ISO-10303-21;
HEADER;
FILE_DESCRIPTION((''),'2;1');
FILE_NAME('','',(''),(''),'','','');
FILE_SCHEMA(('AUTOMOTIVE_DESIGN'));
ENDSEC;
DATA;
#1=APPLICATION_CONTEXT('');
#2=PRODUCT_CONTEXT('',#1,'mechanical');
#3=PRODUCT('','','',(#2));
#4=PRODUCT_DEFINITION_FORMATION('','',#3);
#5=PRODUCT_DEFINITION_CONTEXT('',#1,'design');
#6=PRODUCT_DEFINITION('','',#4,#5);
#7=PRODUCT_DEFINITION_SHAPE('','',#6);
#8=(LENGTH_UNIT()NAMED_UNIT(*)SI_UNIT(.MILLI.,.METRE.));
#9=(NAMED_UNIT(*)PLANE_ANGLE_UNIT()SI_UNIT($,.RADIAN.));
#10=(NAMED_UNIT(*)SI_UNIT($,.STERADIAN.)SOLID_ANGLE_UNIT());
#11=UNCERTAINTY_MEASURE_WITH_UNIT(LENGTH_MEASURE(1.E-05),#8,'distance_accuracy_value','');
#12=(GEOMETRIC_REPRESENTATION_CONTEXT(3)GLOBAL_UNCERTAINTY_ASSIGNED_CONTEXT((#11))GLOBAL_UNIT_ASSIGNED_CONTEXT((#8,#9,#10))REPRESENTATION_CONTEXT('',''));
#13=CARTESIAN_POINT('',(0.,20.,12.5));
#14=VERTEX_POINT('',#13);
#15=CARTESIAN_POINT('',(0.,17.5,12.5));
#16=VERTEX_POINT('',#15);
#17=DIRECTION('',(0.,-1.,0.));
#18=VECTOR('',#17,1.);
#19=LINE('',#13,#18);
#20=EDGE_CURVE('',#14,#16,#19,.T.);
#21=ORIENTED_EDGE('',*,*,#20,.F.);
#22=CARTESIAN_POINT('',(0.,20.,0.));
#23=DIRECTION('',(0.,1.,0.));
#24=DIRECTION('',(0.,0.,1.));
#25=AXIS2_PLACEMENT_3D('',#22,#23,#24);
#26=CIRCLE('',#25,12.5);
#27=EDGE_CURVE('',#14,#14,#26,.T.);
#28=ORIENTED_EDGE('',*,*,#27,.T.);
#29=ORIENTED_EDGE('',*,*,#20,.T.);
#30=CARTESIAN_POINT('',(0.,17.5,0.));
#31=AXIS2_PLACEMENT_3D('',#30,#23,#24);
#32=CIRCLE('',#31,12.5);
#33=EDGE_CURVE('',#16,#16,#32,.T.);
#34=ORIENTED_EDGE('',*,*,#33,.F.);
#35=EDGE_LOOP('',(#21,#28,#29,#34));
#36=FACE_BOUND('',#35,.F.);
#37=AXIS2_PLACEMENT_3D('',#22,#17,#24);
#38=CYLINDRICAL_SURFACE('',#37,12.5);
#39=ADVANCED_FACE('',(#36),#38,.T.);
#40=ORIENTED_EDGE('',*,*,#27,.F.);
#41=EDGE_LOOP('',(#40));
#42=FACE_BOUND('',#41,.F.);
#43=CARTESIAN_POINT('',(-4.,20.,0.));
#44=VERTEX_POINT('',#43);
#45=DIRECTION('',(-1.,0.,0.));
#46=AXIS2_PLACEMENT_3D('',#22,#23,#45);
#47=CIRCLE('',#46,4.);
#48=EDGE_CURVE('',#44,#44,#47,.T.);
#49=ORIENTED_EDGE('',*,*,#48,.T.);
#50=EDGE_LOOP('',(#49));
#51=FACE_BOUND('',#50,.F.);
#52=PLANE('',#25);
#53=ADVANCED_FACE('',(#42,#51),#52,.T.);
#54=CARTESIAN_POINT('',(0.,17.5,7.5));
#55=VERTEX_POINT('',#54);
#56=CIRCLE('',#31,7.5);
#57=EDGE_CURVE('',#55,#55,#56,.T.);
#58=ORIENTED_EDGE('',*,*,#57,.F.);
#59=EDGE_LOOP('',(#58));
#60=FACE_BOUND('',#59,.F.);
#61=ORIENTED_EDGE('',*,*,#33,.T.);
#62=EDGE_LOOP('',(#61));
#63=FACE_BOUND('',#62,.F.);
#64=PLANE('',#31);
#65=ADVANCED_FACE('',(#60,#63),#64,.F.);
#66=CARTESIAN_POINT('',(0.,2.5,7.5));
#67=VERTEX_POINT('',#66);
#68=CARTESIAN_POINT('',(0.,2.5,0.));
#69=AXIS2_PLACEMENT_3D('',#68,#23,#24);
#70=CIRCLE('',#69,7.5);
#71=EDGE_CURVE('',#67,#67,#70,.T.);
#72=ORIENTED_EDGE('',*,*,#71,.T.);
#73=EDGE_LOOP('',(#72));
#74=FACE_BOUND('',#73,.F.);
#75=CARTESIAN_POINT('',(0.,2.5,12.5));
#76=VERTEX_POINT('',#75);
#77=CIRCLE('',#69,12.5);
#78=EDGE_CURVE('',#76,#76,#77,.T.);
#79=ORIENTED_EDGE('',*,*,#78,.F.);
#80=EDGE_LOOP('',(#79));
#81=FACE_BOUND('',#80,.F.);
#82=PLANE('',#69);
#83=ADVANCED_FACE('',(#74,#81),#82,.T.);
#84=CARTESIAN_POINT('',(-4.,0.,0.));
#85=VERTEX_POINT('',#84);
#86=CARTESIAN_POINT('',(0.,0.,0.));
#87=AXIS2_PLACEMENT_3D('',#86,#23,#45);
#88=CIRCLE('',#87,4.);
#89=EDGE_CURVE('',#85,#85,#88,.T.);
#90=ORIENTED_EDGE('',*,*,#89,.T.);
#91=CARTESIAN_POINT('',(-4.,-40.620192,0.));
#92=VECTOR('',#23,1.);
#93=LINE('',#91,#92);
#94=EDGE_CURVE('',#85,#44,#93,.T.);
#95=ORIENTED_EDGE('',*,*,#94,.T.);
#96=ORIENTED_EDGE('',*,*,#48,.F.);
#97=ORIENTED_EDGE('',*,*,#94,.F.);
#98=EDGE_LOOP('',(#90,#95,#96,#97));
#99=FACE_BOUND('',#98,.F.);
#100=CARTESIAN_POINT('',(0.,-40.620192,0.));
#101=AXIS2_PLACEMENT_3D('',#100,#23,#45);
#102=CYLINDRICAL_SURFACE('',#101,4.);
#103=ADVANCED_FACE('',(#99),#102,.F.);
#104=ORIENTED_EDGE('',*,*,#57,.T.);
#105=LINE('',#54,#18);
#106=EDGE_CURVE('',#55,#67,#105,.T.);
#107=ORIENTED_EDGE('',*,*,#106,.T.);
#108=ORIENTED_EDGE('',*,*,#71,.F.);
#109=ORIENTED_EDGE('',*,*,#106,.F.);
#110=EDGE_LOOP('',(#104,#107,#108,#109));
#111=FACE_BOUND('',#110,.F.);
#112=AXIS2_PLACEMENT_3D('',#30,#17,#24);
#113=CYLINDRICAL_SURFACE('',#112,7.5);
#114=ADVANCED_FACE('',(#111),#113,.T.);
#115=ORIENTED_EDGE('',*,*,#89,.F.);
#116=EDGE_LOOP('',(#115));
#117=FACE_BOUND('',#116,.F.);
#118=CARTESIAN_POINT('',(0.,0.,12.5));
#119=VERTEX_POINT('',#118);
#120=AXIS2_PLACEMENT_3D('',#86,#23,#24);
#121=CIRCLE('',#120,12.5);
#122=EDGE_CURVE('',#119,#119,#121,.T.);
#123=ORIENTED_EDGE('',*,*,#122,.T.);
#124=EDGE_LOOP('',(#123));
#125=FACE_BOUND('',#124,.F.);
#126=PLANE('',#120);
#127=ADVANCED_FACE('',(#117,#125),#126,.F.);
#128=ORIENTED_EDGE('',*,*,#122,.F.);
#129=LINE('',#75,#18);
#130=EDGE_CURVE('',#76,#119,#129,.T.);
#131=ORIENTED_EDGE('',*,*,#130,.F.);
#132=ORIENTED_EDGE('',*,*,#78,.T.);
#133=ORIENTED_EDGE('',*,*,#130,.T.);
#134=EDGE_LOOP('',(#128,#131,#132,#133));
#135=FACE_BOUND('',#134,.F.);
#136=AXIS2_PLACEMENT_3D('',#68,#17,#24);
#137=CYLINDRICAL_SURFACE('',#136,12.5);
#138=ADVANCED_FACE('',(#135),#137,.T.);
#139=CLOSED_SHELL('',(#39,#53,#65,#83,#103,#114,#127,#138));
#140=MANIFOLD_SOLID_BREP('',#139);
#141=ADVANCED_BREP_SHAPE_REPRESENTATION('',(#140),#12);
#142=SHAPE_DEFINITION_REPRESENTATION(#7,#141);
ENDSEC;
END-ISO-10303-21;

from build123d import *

# Parameters (mm, degrees)
F3_D = 8


with BuildPart() as f1:
    # F0 (on Right) → F1 (revolve)
    with BuildSketch(Plane.YZ):
        Polygon((0, 12.5), (0, 0), (20, 0), (20, 12.5), (17.5, 12.5), (17.5, 7.5), (2.5, 7.5), (2.5, 12.5), align=None)
    revolve(axis=Axis((0, 10, 0), (0, 1, 0)))

    # F3 (through all)
    with Locations(Plane.XZ):
        with Locations((0, 0)):
            Hole(F3_D / 2)


solid = f1.part
